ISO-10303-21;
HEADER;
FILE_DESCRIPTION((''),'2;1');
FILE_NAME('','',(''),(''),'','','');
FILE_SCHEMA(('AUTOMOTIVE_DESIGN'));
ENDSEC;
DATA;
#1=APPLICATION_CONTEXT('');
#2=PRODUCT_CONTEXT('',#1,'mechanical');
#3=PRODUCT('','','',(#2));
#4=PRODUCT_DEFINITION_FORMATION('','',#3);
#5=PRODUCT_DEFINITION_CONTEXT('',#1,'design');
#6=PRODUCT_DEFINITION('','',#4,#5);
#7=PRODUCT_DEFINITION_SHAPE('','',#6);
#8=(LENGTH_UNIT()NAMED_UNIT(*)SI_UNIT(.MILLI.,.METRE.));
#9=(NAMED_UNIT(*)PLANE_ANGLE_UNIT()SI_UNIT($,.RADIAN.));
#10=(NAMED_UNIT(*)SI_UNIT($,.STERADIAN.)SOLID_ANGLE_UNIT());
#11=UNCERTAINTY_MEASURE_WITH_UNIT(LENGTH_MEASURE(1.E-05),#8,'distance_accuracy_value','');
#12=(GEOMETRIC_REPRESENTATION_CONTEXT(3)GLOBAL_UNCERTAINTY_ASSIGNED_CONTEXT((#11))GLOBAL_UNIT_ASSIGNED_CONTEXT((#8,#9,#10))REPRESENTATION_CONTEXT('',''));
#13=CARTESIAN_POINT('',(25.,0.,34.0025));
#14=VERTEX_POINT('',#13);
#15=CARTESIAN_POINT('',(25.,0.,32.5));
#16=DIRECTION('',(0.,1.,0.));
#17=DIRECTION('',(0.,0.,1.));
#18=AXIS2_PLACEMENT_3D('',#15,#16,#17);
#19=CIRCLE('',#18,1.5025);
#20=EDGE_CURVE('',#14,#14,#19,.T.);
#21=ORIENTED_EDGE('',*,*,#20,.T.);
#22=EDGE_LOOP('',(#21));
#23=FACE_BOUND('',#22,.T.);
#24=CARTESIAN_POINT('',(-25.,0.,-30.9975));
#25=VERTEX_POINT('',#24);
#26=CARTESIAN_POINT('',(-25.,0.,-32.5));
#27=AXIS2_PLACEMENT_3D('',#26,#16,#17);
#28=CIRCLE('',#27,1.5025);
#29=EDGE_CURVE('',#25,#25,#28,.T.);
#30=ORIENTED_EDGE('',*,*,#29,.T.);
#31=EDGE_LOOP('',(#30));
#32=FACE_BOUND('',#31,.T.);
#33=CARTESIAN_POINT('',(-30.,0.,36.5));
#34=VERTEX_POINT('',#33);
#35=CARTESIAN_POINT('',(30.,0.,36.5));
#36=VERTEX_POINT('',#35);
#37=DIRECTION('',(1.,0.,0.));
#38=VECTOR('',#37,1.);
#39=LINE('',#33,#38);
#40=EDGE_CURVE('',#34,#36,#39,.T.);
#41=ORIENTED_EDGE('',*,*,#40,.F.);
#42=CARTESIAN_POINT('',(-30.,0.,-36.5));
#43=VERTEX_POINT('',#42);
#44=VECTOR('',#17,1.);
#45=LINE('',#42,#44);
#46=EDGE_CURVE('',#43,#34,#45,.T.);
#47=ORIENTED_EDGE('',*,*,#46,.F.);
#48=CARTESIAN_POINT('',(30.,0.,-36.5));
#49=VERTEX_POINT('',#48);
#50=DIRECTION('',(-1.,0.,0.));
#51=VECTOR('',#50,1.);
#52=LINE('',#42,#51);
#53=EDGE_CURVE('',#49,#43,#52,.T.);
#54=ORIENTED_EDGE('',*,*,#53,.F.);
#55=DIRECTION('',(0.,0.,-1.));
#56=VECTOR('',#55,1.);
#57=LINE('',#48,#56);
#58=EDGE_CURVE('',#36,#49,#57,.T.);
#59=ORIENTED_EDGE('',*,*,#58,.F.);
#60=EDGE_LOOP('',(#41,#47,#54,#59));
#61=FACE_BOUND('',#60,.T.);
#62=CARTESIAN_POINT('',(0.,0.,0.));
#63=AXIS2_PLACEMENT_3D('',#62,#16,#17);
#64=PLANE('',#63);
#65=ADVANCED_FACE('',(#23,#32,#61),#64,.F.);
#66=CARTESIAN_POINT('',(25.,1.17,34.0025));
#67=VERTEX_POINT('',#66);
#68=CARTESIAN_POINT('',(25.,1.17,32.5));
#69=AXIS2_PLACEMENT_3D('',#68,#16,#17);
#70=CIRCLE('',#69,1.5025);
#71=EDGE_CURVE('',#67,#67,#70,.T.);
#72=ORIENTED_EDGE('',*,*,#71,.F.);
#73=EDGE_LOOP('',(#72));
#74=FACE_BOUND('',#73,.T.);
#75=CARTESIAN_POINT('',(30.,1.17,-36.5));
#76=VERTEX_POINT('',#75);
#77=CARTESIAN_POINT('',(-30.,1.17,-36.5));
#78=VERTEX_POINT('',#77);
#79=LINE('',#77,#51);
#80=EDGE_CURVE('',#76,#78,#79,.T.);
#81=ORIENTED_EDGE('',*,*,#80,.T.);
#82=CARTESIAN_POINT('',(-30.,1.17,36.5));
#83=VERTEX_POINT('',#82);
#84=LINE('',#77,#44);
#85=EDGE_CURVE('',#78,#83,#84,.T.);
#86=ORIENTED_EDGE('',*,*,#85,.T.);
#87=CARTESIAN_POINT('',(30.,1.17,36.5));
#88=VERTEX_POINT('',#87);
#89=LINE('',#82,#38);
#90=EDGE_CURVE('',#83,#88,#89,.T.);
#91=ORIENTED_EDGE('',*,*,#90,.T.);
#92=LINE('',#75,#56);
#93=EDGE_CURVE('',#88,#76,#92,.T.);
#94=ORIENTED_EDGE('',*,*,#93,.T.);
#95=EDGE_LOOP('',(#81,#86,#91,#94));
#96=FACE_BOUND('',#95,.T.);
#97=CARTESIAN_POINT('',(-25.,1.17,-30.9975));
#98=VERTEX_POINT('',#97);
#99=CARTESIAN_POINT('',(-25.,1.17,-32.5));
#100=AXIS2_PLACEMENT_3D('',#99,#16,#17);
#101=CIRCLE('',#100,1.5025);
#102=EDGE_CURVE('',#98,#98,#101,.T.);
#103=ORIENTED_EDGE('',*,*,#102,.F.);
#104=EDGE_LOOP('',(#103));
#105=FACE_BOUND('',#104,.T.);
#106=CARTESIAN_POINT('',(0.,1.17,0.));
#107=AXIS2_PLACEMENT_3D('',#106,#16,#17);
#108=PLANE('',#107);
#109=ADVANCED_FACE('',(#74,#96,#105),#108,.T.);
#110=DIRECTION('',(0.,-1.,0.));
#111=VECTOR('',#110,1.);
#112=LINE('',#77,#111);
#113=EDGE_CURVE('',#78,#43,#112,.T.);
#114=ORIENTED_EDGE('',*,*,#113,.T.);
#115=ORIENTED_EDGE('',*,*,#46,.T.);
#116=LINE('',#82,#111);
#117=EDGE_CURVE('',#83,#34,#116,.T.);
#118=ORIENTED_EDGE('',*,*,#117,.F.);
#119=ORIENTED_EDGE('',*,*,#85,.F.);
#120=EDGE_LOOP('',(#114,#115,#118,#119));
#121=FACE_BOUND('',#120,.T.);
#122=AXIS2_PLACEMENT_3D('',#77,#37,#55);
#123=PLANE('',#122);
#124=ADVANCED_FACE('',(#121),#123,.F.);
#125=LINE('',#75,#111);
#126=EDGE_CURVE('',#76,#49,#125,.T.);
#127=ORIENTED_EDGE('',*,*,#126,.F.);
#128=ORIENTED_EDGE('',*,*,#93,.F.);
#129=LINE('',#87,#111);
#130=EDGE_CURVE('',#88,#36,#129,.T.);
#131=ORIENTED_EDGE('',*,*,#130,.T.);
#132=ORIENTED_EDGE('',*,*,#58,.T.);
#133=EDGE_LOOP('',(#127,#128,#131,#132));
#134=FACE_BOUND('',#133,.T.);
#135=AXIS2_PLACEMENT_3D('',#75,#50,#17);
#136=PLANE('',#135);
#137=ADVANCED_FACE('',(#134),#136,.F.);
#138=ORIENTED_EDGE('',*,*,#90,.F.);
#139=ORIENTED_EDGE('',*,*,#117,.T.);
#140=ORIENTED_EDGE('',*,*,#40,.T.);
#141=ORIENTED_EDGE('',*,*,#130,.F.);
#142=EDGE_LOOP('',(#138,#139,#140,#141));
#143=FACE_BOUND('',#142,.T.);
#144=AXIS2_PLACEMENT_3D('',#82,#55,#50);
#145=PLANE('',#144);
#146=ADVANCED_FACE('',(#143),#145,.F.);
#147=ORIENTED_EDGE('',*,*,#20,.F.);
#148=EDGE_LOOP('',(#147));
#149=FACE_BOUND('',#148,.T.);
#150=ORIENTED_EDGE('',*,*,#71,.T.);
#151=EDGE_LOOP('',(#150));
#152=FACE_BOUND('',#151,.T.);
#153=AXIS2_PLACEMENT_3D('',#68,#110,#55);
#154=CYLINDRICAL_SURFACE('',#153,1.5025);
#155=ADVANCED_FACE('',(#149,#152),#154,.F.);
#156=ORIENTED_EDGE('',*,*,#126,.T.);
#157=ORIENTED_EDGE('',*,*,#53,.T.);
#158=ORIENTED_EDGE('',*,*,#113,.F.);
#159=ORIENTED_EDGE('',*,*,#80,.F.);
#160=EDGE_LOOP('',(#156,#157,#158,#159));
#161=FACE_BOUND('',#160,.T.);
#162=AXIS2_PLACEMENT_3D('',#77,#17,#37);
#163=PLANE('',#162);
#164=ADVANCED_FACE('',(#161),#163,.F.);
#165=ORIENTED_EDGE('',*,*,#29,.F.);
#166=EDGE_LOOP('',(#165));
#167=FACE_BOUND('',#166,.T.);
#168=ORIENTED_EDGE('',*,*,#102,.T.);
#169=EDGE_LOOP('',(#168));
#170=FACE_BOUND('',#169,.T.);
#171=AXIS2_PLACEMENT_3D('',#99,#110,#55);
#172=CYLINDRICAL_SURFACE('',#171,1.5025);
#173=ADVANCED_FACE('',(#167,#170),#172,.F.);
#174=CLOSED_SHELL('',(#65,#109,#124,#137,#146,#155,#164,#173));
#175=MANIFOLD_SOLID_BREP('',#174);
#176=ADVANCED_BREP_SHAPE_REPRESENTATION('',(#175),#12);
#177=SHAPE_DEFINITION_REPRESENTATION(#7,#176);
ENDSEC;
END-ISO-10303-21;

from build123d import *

# Parameters (mm, degrees)
SKETCH1_W           = 60
SKETCH1_H           = 73
SKETCH1_R           = 1.5025
BOSS_EXTRUDE1_DEPTH = 1.17


with BuildPart() as part:
    # Sketch1 → Boss-Extrude1 (new body)
    with BuildSketch(Plane(origin=(0, 0, 0), x_dir=(1, 0, 0), z_dir=(0, 1, 0))):
        Rectangle(SKETCH1_W, SKETCH1_H)
        with Locations((25, -32.5)):
            Circle(SKETCH1_R, mode=Mode.SUBTRACT)
        with Locations((-25, 32.5)):
            Circle(SKETCH1_R, mode=Mode.SUBTRACT)
    extrude(amount=BOSS_EXTRUDE1_DEPTH)


solid = part.part
